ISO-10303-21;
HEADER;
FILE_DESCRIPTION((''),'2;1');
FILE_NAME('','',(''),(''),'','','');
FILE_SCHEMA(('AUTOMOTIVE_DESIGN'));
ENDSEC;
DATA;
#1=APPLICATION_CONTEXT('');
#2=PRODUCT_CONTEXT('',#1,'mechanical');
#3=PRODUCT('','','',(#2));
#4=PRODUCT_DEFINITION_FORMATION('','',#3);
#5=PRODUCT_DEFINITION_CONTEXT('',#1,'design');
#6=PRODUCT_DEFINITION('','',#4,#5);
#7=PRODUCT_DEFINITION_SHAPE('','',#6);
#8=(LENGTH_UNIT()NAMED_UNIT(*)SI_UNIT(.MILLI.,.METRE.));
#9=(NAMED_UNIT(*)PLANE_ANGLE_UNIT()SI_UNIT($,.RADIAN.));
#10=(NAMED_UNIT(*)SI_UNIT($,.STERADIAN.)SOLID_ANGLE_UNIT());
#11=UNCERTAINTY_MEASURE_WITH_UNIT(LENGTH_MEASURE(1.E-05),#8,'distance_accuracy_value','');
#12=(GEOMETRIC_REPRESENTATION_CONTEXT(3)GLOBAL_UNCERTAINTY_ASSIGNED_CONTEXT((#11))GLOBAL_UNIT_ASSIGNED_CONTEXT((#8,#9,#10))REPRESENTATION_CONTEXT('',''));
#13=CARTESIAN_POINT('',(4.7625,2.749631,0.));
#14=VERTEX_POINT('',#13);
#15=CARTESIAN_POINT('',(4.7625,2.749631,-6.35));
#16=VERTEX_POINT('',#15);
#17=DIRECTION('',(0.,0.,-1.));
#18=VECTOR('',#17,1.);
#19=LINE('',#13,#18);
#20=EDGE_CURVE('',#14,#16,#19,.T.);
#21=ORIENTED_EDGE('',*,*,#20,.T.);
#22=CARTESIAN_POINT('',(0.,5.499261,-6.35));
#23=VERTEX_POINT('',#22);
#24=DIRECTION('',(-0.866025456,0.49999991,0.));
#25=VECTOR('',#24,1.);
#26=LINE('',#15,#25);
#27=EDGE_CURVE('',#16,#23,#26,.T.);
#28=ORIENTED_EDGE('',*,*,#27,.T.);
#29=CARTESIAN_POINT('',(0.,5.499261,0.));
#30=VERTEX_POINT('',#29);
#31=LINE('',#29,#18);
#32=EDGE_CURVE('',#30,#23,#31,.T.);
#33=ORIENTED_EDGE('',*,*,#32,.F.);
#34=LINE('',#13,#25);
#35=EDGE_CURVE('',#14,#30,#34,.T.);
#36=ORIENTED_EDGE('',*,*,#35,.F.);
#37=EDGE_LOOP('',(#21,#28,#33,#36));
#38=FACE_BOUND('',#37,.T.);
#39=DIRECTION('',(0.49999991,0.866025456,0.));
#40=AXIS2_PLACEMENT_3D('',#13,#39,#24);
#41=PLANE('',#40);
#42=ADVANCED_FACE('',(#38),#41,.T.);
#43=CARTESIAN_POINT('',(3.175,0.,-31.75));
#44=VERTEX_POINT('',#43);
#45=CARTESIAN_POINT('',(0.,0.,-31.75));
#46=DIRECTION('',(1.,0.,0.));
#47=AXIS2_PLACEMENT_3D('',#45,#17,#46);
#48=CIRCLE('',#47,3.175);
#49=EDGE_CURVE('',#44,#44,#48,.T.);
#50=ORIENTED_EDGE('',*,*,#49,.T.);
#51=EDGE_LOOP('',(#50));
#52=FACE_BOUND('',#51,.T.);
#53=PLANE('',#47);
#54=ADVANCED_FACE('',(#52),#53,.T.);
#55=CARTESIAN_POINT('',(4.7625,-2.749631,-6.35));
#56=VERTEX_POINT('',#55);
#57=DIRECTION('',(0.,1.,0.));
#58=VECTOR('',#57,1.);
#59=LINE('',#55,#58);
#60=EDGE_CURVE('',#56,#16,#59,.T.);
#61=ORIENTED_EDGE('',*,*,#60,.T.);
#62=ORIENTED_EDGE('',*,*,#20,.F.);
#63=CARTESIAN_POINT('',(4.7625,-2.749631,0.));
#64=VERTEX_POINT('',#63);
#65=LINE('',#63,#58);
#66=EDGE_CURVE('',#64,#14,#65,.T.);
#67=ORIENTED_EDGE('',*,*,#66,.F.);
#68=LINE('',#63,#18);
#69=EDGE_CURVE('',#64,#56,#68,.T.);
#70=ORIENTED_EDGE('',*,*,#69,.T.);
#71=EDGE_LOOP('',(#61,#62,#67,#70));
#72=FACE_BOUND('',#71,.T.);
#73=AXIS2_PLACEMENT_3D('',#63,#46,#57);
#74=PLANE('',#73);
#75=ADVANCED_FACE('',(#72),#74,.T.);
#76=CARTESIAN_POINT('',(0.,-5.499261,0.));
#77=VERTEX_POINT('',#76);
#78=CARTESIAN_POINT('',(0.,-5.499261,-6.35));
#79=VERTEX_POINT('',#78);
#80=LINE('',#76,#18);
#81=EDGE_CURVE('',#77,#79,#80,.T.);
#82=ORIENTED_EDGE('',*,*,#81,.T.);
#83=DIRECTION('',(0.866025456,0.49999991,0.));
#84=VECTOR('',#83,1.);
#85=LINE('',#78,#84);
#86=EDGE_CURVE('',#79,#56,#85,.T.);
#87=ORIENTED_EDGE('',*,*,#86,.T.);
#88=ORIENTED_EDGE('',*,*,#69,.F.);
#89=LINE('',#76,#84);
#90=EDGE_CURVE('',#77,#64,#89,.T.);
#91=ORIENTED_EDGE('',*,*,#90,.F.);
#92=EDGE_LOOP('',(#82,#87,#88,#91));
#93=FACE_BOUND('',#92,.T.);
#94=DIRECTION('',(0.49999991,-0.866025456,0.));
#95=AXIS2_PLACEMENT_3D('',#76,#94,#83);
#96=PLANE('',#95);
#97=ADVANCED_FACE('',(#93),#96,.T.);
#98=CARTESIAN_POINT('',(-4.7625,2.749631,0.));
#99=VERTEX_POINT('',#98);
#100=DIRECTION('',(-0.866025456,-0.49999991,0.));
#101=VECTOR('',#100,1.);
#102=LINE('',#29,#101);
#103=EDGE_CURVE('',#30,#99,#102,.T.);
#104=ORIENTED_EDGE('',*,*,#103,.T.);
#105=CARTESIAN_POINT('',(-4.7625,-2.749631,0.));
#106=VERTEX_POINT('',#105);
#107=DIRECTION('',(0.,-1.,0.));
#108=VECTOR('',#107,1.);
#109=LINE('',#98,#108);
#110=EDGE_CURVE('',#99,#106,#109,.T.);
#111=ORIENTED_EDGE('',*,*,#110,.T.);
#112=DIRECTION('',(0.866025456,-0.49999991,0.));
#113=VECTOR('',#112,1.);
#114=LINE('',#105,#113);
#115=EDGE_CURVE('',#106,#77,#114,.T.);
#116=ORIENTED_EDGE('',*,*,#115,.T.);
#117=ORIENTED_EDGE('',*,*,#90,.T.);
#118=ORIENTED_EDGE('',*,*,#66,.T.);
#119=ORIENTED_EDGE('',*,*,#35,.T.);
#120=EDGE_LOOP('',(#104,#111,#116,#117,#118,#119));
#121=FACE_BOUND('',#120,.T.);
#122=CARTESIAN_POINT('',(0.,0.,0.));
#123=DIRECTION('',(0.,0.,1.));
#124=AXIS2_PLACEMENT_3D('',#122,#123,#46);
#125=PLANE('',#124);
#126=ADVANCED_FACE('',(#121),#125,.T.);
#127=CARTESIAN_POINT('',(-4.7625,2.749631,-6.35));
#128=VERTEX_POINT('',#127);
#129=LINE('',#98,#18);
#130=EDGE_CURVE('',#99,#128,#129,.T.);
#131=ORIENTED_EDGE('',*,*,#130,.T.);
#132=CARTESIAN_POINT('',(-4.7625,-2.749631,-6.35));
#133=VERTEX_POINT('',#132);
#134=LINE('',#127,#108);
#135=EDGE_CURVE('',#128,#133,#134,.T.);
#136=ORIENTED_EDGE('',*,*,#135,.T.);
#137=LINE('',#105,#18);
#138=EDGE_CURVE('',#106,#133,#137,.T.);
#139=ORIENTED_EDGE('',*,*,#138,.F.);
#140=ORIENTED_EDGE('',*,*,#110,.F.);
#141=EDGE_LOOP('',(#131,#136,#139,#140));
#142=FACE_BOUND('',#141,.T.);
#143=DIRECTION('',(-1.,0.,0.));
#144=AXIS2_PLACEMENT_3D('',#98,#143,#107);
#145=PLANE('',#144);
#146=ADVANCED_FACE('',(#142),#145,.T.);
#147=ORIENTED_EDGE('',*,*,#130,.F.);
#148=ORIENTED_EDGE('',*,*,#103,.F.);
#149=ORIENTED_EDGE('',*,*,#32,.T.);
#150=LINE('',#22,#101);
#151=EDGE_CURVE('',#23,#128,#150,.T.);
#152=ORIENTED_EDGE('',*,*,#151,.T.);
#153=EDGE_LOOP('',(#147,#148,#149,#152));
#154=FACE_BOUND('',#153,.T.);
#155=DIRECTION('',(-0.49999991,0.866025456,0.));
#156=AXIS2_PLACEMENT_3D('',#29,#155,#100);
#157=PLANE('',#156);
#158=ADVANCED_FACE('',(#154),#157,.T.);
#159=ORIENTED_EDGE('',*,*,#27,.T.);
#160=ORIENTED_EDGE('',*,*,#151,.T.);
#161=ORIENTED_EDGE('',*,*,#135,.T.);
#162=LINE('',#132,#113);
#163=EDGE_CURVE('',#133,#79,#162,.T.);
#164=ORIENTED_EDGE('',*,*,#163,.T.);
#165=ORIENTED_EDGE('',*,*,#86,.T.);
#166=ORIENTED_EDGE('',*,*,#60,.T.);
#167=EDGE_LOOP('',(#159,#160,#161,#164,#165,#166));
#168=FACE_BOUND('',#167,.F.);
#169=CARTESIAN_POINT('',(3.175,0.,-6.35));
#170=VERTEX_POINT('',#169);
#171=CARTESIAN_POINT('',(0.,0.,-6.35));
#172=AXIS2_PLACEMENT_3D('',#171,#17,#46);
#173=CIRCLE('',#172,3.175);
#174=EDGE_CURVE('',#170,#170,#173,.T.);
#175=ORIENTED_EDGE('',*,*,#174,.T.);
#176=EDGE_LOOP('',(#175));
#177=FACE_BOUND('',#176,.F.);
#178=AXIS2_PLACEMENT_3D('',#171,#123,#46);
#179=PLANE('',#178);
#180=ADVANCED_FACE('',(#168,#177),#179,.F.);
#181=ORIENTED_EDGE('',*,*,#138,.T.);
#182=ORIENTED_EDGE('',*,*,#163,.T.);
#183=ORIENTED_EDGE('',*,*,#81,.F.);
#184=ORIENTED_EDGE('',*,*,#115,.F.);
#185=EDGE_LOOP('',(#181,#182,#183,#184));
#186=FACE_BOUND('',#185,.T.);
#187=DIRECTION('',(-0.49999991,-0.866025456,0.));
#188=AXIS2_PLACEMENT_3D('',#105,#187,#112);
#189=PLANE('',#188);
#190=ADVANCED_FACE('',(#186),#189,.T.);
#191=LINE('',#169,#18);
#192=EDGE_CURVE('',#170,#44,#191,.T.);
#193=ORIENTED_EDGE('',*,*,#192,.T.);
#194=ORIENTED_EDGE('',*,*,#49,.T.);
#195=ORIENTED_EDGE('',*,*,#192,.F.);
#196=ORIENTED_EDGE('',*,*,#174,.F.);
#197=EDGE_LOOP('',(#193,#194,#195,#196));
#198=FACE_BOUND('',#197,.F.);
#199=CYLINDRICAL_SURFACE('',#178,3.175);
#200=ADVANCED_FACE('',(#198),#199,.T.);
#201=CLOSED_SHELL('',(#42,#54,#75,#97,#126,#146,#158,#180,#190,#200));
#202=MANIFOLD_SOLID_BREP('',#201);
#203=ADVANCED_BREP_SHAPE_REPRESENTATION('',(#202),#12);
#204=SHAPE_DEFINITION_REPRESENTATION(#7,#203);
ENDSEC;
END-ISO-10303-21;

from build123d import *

# Parameters (mm, degrees)
PAD_DEPTH    = 6.35
SKETCH001_R  = 3.175
PAD001_DEPTH = 25.4


with BuildPart() as part:
    # Sketch → Pad (new body)
    with BuildSketch(Plane.XY):
        Polygon((4.7625, 2.749631), (0, 5.499261), (-4.7625, 2.749631), (-4.7625, -2.749631), (0, -5.499261), (4.7625, -2.749631), align=None)
    extrude(amount=-PAD_DEPTH)

    # Sketch001 (on Face8 of Pad) → Pad001 (join)
    with BuildSketch(Plane(origin=(0, 0, -6.35), x_dir=(1, 0, 0), z_dir=(0, 0, -1))):
        Circle(SKETCH001_R)
    extrude(amount=PAD001_DEPTH)


solid = part.part
